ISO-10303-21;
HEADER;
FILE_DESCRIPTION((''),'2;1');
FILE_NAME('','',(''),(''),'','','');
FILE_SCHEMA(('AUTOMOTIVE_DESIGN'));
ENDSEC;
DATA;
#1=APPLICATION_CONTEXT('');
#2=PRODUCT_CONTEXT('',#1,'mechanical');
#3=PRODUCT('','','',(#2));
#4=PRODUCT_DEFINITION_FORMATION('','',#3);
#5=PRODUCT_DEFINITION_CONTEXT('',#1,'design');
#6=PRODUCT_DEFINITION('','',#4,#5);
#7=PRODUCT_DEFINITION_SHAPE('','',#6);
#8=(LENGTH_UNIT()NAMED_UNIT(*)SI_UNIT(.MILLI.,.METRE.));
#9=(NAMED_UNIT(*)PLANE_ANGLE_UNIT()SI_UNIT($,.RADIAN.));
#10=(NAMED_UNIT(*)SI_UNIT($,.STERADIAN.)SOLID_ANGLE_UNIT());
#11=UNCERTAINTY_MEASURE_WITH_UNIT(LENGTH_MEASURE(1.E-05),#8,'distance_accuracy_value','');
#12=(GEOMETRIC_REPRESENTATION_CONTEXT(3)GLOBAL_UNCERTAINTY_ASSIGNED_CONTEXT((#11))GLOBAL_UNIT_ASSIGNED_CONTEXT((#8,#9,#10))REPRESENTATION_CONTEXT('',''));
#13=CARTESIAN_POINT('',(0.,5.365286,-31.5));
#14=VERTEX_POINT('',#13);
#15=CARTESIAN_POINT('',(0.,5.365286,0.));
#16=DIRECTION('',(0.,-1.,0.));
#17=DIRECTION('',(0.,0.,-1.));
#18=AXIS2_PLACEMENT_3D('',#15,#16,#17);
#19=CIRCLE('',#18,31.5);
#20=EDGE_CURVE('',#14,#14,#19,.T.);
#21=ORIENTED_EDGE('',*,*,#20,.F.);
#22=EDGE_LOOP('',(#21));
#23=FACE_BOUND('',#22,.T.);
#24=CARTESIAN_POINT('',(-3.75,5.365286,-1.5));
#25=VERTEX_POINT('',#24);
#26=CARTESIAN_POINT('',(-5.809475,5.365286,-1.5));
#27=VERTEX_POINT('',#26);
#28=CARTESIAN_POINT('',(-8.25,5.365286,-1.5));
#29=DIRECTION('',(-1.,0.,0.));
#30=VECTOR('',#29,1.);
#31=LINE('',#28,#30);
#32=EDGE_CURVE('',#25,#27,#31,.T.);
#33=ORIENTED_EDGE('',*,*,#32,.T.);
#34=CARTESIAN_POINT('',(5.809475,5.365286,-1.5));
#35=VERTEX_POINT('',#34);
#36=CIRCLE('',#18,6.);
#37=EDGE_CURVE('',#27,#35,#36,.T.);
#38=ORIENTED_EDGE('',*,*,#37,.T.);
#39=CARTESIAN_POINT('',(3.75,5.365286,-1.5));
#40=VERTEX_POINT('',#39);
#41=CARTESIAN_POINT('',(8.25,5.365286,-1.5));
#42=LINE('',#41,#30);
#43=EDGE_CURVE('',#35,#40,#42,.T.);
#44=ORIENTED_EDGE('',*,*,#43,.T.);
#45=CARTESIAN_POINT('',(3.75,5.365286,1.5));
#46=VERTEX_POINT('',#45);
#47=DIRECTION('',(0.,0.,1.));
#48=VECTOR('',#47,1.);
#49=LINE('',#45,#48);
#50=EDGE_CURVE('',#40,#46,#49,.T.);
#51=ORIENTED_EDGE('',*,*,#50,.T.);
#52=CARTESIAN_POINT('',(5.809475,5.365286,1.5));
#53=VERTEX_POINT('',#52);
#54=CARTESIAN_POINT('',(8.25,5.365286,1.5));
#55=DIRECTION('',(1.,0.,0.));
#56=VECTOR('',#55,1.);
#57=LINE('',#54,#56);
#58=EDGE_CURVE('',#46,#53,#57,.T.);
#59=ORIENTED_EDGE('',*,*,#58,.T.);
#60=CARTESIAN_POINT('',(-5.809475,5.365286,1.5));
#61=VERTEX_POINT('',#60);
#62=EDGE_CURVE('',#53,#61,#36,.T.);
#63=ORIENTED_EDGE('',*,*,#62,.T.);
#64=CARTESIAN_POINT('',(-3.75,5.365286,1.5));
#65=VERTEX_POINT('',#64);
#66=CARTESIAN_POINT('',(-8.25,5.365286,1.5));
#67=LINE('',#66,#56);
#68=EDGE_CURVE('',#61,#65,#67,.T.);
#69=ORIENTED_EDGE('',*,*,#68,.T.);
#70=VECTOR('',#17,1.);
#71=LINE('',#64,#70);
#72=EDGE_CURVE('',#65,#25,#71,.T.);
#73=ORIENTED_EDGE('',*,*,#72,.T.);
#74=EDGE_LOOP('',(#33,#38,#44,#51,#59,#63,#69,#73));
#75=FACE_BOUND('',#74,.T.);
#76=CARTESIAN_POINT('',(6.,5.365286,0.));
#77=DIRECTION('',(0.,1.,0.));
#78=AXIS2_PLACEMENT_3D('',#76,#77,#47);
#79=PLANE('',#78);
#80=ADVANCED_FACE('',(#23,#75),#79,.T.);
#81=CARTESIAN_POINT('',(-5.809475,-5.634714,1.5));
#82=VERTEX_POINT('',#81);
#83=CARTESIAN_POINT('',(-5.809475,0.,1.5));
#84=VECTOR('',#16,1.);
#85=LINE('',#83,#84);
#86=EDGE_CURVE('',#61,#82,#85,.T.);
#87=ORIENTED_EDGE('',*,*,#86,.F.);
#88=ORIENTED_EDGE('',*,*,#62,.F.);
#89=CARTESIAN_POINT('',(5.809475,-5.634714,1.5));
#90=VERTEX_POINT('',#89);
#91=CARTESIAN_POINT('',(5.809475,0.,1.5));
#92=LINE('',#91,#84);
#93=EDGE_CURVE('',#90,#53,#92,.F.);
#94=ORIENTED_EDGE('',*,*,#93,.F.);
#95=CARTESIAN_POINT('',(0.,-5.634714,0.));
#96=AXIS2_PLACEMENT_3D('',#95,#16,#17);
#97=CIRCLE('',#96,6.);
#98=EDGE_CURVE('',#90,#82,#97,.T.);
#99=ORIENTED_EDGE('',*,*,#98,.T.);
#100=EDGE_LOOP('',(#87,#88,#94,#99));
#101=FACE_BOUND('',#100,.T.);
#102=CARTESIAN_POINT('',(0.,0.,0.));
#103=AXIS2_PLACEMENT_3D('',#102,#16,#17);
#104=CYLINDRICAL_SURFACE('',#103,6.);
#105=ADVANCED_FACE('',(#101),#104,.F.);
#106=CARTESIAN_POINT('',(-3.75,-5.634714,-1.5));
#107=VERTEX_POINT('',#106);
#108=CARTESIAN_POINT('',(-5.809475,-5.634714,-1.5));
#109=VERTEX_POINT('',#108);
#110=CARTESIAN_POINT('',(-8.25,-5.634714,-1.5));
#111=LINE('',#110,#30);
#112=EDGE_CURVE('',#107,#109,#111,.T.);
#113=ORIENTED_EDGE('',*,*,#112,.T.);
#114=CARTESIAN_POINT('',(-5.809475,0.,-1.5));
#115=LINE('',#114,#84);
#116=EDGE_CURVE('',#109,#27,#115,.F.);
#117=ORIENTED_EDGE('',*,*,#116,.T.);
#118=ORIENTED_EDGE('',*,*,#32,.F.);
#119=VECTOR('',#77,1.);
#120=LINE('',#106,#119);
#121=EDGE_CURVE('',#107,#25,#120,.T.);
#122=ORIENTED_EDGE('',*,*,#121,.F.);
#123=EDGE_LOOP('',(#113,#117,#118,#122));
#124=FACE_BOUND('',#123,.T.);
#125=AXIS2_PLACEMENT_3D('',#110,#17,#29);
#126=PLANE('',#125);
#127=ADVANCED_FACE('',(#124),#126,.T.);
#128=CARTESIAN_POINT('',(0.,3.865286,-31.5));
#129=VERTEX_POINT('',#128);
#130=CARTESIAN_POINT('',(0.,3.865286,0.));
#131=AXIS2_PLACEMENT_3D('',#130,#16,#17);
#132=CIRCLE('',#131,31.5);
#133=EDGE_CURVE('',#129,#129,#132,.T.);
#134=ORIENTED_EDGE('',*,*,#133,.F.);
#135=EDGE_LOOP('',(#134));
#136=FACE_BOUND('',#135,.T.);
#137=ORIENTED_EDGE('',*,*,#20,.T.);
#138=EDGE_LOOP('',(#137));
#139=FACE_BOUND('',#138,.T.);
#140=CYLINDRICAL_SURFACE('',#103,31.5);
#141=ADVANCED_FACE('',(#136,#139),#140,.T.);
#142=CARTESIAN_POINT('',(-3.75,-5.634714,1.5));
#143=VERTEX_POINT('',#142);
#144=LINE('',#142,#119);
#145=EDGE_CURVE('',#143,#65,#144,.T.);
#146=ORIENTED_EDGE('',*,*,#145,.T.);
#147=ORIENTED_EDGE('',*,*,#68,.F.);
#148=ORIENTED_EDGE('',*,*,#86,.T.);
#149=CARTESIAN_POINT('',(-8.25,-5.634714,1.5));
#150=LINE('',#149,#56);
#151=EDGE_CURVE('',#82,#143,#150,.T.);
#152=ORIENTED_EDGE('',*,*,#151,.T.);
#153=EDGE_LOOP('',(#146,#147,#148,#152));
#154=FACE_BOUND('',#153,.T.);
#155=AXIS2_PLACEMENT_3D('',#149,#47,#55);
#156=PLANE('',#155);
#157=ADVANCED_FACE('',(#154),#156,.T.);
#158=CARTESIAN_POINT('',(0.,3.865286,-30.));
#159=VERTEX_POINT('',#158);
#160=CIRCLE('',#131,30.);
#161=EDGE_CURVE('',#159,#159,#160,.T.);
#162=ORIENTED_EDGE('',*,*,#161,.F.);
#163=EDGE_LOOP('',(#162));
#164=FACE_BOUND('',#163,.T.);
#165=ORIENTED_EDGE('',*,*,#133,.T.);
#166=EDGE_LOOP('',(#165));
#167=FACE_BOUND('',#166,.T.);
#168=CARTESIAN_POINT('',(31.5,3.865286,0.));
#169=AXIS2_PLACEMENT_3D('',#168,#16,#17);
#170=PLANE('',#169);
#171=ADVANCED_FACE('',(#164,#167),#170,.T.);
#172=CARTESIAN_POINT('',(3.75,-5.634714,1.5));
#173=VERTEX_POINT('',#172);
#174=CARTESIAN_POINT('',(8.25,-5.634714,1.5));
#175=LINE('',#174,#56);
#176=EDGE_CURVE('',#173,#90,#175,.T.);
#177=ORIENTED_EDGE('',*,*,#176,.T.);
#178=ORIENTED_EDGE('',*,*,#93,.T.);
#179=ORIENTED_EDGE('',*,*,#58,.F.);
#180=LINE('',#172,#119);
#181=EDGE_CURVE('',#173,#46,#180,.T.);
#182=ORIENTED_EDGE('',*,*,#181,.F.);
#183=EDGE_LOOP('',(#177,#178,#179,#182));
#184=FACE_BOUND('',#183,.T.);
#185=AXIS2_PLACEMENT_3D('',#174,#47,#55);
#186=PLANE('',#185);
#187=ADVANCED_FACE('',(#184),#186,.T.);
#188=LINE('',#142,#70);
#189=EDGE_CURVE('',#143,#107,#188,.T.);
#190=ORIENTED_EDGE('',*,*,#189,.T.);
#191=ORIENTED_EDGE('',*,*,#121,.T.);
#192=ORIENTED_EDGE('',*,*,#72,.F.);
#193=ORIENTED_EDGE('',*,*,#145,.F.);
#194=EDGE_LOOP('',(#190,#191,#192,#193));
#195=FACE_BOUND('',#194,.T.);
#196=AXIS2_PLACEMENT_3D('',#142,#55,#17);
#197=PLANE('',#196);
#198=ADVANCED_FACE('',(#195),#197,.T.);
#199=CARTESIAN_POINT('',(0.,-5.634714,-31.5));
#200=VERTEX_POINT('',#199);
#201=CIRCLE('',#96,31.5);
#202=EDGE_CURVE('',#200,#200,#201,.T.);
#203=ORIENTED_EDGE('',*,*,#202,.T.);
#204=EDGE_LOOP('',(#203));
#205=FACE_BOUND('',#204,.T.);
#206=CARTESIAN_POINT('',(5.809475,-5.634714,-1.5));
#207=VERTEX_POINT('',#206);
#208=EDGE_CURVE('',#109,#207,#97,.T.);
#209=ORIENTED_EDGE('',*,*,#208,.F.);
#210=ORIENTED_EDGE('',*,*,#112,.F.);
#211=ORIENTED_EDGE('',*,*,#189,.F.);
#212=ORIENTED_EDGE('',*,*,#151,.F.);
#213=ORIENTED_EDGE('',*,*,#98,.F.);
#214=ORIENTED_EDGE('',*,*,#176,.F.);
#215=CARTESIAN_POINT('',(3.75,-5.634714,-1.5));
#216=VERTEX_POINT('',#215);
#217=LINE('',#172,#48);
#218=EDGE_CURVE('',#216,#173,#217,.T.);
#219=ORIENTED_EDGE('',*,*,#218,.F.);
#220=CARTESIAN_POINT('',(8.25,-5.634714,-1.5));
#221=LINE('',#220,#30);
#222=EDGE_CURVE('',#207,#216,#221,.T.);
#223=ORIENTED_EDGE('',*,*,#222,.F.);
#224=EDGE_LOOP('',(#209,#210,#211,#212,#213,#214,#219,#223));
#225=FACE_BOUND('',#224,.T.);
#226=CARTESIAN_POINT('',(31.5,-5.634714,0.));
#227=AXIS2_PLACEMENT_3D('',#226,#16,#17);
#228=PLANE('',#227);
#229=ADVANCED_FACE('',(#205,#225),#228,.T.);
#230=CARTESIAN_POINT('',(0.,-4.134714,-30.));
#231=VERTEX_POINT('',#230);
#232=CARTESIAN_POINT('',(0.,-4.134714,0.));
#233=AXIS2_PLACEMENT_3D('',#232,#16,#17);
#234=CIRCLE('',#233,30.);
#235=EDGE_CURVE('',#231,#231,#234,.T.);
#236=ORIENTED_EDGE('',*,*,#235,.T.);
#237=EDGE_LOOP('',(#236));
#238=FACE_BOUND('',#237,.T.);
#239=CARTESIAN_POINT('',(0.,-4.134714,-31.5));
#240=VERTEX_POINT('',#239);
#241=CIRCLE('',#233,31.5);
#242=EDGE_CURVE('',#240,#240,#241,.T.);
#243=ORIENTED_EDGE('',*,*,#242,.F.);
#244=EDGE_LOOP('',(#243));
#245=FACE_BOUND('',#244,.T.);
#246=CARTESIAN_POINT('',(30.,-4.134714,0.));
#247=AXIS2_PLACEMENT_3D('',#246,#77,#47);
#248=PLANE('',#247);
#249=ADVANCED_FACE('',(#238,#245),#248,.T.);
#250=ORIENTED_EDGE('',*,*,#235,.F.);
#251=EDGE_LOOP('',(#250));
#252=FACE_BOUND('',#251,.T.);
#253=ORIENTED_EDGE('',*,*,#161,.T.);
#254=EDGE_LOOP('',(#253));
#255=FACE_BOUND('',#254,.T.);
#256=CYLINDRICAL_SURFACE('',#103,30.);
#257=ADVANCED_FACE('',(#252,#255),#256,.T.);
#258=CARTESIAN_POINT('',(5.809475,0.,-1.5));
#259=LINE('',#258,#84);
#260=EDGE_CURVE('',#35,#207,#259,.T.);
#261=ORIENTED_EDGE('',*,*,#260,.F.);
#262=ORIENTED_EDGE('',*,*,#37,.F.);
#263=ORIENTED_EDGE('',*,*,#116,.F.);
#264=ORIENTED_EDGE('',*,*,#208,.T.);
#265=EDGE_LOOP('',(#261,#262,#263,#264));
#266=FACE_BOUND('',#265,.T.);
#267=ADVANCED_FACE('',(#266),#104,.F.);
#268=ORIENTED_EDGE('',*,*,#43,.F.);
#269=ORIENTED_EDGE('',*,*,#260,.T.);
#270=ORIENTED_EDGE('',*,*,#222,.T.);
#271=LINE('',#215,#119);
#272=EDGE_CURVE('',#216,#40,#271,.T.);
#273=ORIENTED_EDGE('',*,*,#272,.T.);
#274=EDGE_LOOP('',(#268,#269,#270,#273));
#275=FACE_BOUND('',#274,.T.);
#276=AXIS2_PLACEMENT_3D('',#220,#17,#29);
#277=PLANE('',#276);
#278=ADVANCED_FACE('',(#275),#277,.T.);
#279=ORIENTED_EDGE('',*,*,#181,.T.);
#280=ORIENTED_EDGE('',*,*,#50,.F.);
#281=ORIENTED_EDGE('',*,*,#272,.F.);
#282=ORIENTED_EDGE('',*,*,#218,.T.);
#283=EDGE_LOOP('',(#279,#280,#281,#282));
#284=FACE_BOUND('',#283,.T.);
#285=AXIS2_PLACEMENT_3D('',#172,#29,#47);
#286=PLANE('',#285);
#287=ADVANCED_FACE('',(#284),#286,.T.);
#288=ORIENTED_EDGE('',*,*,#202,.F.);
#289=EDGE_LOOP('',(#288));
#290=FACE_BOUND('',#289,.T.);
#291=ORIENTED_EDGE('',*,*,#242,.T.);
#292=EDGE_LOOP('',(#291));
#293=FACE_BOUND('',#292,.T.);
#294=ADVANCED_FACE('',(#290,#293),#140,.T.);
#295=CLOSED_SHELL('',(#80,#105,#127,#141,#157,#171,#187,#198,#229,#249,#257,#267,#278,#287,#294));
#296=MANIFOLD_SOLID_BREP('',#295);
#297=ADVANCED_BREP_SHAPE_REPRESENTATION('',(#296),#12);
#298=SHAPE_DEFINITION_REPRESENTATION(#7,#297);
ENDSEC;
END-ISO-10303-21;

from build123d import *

# Parameters (mm, degrees)
ESQUISSE6_W        = 4.5
ESQUISSE6_H        = 3
BOSS_EXTRU_1_DEPTH = 11


with BuildPart() as part:
    # Esquisse2 → Révolution1 (revolve)
    with BuildSketch(Plane.XY):
        Polygon((6, 5.365286165), (6, -5.634713835), (31.5, -5.634713835), (31.5, -4.134713835), (30, -4.134713835), (30, 3.865286165), (31.5, 3.865286165), (31.5, 5.365286165), align=None)
    revolve(axis=Axis((0, 0, 0), (0, 1, 0)))

    # Esquisse6 → Boss.-Extru.1 (add)
    with BuildSketch(Plane(origin=(0, 5.365286165, 0), x_dir=(1, 0, 0), z_dir=(0, 1, 0))):
        with Locations((-6, 0)):
            Rectangle(ESQUISSE6_W, ESQUISSE6_H)
        with Locations((6, 0)):
            Rectangle(ESQUISSE6_W, ESQUISSE6_H)
    extrude(amount=-BOSS_EXTRU_1_DEPTH)


solid = part.part
